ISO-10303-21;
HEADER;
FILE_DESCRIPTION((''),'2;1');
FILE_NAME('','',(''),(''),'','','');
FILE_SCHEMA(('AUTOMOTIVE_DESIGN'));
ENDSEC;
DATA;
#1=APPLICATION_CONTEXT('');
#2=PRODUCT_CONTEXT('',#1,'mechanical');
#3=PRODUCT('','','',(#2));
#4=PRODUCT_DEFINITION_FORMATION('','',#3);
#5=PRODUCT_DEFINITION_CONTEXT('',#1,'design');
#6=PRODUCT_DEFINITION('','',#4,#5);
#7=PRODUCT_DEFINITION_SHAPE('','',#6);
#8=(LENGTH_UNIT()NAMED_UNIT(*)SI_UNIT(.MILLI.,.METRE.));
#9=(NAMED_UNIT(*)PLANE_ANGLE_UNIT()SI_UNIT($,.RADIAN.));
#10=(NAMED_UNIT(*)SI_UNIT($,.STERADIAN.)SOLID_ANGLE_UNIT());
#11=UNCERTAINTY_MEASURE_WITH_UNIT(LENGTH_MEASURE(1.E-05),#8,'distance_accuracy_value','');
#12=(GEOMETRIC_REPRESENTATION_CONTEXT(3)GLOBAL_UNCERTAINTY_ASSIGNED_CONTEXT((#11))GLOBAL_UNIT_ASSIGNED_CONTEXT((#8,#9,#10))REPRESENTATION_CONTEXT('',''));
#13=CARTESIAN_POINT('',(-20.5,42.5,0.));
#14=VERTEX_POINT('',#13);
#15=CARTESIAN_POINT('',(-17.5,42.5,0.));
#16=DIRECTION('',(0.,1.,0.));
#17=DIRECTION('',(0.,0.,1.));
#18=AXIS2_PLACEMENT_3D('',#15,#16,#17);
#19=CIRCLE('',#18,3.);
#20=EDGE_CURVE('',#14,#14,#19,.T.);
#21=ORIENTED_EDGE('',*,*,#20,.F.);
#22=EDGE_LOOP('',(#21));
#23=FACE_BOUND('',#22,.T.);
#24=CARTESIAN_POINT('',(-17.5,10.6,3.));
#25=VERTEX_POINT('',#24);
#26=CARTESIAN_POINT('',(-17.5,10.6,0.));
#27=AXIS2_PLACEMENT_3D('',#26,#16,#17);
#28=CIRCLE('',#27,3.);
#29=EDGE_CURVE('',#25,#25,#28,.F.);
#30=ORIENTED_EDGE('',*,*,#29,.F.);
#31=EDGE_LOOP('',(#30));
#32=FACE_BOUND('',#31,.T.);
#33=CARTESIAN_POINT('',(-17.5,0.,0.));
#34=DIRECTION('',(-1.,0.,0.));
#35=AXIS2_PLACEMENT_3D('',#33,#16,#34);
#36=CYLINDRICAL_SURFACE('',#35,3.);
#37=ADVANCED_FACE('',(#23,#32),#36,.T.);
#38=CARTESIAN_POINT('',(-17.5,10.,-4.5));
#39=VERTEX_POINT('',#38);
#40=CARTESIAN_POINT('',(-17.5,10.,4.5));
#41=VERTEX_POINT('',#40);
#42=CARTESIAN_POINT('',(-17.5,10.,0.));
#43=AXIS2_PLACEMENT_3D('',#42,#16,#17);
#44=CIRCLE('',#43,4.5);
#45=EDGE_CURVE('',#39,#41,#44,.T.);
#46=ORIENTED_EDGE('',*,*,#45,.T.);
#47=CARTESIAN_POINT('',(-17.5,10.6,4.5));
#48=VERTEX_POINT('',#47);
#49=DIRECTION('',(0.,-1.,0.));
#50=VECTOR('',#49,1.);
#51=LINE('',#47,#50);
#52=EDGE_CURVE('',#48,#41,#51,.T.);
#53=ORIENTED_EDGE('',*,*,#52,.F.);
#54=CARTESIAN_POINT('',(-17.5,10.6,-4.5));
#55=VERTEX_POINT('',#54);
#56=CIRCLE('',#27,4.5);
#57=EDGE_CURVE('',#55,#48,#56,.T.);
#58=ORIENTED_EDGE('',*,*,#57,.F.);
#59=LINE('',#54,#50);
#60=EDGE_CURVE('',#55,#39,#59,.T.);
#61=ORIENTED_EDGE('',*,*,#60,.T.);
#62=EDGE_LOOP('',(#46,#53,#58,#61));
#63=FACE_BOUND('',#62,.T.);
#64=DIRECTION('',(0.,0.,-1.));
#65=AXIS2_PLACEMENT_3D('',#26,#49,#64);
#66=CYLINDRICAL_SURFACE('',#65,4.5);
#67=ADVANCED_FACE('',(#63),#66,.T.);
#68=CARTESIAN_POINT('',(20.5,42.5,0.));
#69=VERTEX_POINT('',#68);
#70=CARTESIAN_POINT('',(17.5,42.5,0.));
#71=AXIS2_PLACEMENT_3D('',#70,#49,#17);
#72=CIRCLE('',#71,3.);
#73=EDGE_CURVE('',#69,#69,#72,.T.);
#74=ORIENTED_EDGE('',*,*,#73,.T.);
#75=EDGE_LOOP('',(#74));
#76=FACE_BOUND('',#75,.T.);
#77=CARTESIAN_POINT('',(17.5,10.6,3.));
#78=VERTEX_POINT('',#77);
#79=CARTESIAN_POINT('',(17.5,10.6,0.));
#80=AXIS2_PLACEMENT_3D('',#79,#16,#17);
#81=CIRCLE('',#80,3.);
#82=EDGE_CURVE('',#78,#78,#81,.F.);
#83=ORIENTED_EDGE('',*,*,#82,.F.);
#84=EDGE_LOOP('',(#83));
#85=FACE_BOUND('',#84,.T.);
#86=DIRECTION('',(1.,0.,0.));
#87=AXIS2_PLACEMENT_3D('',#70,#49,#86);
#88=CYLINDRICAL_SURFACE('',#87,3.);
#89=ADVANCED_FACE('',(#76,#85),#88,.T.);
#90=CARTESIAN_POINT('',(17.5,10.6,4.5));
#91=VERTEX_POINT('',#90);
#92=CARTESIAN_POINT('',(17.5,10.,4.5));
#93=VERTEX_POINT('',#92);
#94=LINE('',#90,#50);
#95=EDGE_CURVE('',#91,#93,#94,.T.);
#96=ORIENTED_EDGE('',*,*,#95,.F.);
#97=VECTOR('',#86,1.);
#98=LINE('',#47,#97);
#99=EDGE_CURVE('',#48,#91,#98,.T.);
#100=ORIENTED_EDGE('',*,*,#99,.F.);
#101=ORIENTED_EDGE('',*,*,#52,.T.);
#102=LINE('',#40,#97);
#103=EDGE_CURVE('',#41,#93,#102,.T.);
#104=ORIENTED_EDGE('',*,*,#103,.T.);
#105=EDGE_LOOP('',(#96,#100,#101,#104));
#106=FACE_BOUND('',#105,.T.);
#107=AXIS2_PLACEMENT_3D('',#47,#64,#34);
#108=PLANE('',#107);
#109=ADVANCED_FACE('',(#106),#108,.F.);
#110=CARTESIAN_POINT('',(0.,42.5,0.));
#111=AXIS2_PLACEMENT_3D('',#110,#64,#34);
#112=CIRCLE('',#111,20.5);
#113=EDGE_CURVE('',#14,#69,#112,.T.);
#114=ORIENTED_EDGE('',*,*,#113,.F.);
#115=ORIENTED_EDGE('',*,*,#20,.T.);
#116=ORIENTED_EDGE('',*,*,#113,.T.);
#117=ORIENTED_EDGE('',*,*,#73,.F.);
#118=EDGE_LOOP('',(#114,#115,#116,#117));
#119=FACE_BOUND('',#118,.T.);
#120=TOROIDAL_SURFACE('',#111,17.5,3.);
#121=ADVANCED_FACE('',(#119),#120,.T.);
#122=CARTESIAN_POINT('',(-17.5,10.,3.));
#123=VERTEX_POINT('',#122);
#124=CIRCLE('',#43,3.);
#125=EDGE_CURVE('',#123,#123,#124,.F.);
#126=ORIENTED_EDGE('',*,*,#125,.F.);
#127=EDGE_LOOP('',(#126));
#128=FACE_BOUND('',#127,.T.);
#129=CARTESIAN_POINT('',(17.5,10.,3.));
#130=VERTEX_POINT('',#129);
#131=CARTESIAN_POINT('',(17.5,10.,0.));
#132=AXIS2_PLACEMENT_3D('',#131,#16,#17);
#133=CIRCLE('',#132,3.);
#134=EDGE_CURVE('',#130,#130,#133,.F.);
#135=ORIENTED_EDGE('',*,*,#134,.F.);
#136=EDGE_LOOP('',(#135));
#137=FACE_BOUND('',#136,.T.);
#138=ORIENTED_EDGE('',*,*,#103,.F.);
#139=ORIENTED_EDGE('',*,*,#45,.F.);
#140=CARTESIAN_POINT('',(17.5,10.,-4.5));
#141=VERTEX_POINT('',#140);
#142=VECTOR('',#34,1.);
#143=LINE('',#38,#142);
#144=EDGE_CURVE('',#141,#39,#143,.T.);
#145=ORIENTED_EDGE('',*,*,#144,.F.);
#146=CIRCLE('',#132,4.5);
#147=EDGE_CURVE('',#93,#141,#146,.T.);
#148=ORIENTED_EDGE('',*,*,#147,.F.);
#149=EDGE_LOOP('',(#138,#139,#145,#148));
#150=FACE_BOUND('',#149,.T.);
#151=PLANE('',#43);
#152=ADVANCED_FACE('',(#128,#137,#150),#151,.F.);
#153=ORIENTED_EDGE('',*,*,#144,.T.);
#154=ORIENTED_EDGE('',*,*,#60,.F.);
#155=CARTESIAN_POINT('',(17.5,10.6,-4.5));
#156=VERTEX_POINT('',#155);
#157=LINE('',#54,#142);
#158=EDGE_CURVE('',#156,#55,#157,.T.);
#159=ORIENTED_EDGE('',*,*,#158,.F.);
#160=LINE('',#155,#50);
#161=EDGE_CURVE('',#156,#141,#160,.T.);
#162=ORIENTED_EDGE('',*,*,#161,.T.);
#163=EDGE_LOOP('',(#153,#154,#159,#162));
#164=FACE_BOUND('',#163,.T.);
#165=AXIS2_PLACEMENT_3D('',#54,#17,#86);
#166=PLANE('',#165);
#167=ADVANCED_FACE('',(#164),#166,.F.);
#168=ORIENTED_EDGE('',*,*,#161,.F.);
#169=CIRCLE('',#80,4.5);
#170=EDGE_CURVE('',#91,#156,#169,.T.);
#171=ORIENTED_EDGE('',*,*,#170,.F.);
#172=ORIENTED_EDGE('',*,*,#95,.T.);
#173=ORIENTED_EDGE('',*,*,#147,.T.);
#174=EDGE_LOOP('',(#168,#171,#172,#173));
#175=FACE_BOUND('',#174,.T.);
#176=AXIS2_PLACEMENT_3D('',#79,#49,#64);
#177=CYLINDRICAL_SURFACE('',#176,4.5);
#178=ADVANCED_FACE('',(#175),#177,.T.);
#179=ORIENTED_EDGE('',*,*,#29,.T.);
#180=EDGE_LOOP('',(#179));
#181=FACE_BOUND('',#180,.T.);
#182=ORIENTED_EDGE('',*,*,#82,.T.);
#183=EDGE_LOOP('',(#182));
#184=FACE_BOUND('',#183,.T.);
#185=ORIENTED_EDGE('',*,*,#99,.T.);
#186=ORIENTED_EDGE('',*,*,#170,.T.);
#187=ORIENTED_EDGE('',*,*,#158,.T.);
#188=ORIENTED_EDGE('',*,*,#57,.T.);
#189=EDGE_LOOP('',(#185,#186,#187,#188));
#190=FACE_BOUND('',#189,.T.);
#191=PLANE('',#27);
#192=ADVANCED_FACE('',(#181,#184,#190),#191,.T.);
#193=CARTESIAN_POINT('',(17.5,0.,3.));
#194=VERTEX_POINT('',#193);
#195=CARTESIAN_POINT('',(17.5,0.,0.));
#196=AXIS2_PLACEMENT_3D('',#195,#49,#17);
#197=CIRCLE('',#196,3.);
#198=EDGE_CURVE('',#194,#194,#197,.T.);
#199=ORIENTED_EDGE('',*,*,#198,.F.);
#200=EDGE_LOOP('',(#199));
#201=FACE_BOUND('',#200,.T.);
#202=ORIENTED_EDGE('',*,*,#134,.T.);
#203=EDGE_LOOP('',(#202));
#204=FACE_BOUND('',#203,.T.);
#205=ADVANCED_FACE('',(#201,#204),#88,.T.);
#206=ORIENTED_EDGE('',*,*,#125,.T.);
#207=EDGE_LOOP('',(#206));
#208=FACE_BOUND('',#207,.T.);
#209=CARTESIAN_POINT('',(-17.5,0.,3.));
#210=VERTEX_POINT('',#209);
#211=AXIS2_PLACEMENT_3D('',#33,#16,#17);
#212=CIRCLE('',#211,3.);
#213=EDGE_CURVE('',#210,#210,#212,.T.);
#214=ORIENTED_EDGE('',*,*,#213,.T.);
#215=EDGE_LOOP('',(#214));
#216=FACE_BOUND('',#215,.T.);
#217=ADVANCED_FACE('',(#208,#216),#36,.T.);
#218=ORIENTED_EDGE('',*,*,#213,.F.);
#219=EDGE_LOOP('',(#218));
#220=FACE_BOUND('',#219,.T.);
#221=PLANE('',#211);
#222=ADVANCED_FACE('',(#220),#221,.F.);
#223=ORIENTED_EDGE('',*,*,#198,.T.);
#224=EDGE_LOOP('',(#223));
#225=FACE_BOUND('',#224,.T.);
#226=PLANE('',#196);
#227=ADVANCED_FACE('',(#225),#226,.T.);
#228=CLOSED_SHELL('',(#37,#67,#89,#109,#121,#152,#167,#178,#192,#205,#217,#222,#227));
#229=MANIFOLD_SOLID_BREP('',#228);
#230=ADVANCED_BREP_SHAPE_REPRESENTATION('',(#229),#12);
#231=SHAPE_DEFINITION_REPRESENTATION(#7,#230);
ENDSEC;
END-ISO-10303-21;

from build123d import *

# Parameters (mm, degrees)
SKETCH1_R           = 3
BOSS_EXTRUDE1_DEPTH = 0.6


with BuildPart() as part:
    # Sweep1: sweep along a path in Sketch2
    with BuildLine(Plane.XY) as sweep1_path:
        Line((-17.5, 0), (-17.5, 42.5))
        ThreePointArc((-17.5, 42.5), (0, 60), (17.5, 42.5))
        Line((17.5, 42.5), (17.5, 0))
    # Sketch1 → Sweep1 (sweep)
    with BuildSketch(Plane(origin=(0, 0, 0), x_dir=(1, 0, 0), z_dir=(0, 1, 0))):
        with Locations((-17.5, 0)):
            Circle(SKETCH1_R)
    sweep(path=sweep1_path.line)

    # Sketch3 → Boss-Extrude1 (add)
    with BuildSketch(Plane(origin=(0, 10, 0), x_dir=(1, 0, 0), z_dir=(0, 1, 0))):
        with BuildLine():
            Line((-17.5, -4.5), (17.5, -4.5))
            ThreePointArc((17.5, -4.5), (22, 0), (17.5, 4.5))
            Line((17.5, 4.5), (-17.5, 4.5))
            ThreePointArc((-17.5, 4.5), (-22, 0), (-17.5, -4.5))
        make_face()
    extrude(amount=BOSS_EXTRUDE1_DEPTH)


solid = part.part
